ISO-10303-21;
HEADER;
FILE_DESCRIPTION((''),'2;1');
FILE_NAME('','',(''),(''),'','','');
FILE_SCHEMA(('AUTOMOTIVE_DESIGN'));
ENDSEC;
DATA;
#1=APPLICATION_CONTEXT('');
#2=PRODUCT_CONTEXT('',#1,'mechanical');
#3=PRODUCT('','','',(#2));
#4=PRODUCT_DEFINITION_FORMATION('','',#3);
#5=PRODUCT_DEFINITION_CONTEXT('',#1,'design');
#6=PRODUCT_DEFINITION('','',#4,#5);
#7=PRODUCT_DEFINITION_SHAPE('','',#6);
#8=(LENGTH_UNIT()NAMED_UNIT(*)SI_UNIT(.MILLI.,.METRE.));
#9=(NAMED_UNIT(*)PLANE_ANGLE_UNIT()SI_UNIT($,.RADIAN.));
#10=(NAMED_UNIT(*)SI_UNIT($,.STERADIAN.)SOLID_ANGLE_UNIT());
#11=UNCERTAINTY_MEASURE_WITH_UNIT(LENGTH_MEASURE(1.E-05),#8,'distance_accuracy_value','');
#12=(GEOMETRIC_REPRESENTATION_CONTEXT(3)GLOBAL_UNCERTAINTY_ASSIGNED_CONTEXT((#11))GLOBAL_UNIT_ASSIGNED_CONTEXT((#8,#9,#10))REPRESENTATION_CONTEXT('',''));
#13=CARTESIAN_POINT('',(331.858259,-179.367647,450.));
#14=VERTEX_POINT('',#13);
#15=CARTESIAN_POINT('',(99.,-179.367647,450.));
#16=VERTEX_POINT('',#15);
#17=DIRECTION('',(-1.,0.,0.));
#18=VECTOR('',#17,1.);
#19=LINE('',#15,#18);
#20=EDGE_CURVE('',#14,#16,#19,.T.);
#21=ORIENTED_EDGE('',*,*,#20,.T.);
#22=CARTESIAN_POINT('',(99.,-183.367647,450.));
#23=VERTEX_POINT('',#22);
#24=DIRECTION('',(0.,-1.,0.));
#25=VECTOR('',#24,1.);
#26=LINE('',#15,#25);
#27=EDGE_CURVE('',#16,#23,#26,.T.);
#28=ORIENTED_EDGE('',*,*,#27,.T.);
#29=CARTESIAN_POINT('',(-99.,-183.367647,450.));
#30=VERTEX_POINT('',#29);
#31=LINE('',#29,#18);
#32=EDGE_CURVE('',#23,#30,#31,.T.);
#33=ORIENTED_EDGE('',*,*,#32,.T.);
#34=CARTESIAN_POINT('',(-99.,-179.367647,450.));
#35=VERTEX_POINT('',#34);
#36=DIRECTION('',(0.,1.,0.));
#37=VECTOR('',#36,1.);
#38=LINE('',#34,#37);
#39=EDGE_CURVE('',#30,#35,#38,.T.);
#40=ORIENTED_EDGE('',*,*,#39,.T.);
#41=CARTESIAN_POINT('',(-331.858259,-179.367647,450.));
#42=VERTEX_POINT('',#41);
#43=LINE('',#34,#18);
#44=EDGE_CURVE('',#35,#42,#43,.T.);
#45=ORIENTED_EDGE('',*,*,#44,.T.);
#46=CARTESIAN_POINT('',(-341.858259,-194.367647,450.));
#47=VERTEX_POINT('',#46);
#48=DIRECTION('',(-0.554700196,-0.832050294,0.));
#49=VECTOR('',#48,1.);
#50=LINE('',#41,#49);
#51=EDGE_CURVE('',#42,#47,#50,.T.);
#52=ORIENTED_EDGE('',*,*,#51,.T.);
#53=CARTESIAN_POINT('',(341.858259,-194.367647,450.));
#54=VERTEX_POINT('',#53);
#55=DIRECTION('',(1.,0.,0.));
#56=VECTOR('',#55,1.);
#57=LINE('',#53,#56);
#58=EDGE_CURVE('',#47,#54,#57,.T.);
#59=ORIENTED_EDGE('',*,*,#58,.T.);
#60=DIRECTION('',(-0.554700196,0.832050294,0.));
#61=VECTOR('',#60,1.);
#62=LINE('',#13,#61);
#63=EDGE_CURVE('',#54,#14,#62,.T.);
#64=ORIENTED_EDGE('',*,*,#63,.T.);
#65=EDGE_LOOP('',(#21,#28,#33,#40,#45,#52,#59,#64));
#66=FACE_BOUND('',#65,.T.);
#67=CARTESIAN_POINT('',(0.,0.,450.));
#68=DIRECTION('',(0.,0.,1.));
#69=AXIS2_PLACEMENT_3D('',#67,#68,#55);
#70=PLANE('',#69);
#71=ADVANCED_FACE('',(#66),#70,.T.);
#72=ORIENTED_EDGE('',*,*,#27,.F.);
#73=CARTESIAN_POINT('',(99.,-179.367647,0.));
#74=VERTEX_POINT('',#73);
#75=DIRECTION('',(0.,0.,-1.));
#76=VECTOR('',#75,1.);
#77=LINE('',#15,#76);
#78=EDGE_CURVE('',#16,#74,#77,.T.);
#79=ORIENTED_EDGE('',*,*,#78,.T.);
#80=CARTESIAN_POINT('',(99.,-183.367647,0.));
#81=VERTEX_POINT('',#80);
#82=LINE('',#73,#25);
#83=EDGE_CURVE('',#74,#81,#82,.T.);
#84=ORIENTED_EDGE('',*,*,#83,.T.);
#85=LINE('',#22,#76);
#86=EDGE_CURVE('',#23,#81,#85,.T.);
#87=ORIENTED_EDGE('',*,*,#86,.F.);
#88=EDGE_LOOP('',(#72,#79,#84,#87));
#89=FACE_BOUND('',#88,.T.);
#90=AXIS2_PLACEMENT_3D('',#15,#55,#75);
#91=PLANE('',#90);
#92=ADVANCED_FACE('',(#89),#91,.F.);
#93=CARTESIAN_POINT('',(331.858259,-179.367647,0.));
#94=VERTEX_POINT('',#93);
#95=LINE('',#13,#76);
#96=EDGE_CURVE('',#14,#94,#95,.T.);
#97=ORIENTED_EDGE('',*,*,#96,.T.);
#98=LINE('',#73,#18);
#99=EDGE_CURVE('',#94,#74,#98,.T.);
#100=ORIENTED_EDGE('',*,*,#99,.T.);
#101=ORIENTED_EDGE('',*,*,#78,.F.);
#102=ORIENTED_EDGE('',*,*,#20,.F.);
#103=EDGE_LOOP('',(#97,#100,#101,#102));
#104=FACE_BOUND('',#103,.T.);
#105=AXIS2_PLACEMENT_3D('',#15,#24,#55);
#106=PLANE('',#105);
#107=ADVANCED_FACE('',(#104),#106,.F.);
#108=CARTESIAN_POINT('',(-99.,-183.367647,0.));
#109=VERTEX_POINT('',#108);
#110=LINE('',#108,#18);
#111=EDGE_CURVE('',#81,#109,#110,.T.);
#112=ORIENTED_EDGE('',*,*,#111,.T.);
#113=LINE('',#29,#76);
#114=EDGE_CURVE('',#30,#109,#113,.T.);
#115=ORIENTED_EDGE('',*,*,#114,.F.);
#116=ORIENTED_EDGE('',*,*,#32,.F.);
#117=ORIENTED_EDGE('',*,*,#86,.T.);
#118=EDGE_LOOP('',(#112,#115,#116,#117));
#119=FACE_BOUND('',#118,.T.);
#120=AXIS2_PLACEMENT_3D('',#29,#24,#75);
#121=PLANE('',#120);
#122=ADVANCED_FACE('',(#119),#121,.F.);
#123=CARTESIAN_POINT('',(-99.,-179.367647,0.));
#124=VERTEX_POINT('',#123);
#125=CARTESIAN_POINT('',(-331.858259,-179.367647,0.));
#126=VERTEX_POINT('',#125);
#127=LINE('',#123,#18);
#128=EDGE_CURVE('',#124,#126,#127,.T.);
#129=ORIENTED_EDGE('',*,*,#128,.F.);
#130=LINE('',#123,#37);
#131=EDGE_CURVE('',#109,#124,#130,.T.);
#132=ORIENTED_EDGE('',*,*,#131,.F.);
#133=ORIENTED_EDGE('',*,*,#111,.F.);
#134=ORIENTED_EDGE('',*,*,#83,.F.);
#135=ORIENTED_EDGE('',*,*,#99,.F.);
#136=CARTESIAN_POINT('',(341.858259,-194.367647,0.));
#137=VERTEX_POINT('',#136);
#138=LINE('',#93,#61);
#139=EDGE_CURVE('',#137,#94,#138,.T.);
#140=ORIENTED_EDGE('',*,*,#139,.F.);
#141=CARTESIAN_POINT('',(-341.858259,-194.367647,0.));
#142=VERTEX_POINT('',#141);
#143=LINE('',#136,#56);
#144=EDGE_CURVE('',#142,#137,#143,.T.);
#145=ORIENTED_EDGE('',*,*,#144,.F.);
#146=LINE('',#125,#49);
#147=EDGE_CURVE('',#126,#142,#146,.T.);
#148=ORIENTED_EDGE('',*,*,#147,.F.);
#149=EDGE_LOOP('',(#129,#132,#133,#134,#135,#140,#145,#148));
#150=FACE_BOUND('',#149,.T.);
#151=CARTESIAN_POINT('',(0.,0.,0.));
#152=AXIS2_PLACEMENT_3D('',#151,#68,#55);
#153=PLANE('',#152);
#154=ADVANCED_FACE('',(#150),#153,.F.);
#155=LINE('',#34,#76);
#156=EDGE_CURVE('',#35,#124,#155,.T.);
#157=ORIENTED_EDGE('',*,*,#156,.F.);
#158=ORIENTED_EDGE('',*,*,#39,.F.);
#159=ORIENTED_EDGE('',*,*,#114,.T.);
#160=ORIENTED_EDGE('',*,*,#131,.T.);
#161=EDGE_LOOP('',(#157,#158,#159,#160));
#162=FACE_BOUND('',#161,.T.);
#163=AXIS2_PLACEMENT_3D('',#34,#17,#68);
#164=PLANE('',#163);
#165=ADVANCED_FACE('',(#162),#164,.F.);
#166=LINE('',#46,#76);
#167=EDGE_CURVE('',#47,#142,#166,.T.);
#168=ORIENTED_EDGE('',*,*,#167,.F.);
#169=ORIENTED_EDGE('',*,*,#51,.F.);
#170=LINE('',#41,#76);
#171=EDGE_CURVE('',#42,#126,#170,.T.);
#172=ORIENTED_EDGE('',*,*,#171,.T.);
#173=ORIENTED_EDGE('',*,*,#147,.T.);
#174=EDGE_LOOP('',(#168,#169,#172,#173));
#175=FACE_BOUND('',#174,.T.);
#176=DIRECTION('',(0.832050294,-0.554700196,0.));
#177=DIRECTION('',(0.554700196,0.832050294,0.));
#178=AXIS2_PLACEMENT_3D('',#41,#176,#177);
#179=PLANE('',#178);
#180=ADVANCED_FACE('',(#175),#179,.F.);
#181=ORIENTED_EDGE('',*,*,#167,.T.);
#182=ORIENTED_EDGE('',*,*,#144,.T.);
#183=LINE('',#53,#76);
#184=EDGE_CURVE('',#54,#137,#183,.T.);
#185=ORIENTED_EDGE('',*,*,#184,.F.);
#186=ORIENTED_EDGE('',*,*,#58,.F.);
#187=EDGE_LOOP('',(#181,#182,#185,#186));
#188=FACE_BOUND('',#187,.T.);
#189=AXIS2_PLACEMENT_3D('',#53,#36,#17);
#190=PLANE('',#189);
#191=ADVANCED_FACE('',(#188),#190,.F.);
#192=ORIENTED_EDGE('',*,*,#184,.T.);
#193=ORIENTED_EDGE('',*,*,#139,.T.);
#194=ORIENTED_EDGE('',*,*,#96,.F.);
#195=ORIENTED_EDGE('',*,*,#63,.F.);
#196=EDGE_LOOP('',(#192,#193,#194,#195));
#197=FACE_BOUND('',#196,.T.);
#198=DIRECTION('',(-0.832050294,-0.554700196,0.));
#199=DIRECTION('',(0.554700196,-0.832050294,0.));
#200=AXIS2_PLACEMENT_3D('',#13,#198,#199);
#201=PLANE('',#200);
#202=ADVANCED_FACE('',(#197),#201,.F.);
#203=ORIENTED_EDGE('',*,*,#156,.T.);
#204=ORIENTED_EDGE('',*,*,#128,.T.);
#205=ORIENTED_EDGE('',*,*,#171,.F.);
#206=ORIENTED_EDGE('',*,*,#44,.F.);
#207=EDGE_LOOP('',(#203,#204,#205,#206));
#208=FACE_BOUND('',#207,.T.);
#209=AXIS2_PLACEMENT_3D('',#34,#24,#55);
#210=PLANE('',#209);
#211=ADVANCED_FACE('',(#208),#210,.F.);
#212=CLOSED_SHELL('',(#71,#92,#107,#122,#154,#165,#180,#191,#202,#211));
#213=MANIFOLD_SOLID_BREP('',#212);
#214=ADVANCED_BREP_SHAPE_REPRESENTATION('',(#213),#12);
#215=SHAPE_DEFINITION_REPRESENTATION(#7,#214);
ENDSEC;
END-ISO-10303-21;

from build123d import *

# Parameters (mm, degrees)
AUFSATZ_LINEAR_AUSTRAGEN1_DEPTH = 450


with BuildPart() as part:
    # Skizze1 → Aufsatz-Linear austragen1 (new body)
    with BuildSketch(Plane.XY):
        Polygon((331.858259494, -179.367647059), (341.858259494, -194.367647059), (-341.858259494, -194.367647059), (-331.858259494, -179.367647059), (-99, -179.367647059), (-99, -183.367647059), (99, -183.367647059), (99, -179.367647059), align=None)
    extrude(amount=AUFSATZ_LINEAR_AUSTRAGEN1_DEPTH)


solid = part.part
